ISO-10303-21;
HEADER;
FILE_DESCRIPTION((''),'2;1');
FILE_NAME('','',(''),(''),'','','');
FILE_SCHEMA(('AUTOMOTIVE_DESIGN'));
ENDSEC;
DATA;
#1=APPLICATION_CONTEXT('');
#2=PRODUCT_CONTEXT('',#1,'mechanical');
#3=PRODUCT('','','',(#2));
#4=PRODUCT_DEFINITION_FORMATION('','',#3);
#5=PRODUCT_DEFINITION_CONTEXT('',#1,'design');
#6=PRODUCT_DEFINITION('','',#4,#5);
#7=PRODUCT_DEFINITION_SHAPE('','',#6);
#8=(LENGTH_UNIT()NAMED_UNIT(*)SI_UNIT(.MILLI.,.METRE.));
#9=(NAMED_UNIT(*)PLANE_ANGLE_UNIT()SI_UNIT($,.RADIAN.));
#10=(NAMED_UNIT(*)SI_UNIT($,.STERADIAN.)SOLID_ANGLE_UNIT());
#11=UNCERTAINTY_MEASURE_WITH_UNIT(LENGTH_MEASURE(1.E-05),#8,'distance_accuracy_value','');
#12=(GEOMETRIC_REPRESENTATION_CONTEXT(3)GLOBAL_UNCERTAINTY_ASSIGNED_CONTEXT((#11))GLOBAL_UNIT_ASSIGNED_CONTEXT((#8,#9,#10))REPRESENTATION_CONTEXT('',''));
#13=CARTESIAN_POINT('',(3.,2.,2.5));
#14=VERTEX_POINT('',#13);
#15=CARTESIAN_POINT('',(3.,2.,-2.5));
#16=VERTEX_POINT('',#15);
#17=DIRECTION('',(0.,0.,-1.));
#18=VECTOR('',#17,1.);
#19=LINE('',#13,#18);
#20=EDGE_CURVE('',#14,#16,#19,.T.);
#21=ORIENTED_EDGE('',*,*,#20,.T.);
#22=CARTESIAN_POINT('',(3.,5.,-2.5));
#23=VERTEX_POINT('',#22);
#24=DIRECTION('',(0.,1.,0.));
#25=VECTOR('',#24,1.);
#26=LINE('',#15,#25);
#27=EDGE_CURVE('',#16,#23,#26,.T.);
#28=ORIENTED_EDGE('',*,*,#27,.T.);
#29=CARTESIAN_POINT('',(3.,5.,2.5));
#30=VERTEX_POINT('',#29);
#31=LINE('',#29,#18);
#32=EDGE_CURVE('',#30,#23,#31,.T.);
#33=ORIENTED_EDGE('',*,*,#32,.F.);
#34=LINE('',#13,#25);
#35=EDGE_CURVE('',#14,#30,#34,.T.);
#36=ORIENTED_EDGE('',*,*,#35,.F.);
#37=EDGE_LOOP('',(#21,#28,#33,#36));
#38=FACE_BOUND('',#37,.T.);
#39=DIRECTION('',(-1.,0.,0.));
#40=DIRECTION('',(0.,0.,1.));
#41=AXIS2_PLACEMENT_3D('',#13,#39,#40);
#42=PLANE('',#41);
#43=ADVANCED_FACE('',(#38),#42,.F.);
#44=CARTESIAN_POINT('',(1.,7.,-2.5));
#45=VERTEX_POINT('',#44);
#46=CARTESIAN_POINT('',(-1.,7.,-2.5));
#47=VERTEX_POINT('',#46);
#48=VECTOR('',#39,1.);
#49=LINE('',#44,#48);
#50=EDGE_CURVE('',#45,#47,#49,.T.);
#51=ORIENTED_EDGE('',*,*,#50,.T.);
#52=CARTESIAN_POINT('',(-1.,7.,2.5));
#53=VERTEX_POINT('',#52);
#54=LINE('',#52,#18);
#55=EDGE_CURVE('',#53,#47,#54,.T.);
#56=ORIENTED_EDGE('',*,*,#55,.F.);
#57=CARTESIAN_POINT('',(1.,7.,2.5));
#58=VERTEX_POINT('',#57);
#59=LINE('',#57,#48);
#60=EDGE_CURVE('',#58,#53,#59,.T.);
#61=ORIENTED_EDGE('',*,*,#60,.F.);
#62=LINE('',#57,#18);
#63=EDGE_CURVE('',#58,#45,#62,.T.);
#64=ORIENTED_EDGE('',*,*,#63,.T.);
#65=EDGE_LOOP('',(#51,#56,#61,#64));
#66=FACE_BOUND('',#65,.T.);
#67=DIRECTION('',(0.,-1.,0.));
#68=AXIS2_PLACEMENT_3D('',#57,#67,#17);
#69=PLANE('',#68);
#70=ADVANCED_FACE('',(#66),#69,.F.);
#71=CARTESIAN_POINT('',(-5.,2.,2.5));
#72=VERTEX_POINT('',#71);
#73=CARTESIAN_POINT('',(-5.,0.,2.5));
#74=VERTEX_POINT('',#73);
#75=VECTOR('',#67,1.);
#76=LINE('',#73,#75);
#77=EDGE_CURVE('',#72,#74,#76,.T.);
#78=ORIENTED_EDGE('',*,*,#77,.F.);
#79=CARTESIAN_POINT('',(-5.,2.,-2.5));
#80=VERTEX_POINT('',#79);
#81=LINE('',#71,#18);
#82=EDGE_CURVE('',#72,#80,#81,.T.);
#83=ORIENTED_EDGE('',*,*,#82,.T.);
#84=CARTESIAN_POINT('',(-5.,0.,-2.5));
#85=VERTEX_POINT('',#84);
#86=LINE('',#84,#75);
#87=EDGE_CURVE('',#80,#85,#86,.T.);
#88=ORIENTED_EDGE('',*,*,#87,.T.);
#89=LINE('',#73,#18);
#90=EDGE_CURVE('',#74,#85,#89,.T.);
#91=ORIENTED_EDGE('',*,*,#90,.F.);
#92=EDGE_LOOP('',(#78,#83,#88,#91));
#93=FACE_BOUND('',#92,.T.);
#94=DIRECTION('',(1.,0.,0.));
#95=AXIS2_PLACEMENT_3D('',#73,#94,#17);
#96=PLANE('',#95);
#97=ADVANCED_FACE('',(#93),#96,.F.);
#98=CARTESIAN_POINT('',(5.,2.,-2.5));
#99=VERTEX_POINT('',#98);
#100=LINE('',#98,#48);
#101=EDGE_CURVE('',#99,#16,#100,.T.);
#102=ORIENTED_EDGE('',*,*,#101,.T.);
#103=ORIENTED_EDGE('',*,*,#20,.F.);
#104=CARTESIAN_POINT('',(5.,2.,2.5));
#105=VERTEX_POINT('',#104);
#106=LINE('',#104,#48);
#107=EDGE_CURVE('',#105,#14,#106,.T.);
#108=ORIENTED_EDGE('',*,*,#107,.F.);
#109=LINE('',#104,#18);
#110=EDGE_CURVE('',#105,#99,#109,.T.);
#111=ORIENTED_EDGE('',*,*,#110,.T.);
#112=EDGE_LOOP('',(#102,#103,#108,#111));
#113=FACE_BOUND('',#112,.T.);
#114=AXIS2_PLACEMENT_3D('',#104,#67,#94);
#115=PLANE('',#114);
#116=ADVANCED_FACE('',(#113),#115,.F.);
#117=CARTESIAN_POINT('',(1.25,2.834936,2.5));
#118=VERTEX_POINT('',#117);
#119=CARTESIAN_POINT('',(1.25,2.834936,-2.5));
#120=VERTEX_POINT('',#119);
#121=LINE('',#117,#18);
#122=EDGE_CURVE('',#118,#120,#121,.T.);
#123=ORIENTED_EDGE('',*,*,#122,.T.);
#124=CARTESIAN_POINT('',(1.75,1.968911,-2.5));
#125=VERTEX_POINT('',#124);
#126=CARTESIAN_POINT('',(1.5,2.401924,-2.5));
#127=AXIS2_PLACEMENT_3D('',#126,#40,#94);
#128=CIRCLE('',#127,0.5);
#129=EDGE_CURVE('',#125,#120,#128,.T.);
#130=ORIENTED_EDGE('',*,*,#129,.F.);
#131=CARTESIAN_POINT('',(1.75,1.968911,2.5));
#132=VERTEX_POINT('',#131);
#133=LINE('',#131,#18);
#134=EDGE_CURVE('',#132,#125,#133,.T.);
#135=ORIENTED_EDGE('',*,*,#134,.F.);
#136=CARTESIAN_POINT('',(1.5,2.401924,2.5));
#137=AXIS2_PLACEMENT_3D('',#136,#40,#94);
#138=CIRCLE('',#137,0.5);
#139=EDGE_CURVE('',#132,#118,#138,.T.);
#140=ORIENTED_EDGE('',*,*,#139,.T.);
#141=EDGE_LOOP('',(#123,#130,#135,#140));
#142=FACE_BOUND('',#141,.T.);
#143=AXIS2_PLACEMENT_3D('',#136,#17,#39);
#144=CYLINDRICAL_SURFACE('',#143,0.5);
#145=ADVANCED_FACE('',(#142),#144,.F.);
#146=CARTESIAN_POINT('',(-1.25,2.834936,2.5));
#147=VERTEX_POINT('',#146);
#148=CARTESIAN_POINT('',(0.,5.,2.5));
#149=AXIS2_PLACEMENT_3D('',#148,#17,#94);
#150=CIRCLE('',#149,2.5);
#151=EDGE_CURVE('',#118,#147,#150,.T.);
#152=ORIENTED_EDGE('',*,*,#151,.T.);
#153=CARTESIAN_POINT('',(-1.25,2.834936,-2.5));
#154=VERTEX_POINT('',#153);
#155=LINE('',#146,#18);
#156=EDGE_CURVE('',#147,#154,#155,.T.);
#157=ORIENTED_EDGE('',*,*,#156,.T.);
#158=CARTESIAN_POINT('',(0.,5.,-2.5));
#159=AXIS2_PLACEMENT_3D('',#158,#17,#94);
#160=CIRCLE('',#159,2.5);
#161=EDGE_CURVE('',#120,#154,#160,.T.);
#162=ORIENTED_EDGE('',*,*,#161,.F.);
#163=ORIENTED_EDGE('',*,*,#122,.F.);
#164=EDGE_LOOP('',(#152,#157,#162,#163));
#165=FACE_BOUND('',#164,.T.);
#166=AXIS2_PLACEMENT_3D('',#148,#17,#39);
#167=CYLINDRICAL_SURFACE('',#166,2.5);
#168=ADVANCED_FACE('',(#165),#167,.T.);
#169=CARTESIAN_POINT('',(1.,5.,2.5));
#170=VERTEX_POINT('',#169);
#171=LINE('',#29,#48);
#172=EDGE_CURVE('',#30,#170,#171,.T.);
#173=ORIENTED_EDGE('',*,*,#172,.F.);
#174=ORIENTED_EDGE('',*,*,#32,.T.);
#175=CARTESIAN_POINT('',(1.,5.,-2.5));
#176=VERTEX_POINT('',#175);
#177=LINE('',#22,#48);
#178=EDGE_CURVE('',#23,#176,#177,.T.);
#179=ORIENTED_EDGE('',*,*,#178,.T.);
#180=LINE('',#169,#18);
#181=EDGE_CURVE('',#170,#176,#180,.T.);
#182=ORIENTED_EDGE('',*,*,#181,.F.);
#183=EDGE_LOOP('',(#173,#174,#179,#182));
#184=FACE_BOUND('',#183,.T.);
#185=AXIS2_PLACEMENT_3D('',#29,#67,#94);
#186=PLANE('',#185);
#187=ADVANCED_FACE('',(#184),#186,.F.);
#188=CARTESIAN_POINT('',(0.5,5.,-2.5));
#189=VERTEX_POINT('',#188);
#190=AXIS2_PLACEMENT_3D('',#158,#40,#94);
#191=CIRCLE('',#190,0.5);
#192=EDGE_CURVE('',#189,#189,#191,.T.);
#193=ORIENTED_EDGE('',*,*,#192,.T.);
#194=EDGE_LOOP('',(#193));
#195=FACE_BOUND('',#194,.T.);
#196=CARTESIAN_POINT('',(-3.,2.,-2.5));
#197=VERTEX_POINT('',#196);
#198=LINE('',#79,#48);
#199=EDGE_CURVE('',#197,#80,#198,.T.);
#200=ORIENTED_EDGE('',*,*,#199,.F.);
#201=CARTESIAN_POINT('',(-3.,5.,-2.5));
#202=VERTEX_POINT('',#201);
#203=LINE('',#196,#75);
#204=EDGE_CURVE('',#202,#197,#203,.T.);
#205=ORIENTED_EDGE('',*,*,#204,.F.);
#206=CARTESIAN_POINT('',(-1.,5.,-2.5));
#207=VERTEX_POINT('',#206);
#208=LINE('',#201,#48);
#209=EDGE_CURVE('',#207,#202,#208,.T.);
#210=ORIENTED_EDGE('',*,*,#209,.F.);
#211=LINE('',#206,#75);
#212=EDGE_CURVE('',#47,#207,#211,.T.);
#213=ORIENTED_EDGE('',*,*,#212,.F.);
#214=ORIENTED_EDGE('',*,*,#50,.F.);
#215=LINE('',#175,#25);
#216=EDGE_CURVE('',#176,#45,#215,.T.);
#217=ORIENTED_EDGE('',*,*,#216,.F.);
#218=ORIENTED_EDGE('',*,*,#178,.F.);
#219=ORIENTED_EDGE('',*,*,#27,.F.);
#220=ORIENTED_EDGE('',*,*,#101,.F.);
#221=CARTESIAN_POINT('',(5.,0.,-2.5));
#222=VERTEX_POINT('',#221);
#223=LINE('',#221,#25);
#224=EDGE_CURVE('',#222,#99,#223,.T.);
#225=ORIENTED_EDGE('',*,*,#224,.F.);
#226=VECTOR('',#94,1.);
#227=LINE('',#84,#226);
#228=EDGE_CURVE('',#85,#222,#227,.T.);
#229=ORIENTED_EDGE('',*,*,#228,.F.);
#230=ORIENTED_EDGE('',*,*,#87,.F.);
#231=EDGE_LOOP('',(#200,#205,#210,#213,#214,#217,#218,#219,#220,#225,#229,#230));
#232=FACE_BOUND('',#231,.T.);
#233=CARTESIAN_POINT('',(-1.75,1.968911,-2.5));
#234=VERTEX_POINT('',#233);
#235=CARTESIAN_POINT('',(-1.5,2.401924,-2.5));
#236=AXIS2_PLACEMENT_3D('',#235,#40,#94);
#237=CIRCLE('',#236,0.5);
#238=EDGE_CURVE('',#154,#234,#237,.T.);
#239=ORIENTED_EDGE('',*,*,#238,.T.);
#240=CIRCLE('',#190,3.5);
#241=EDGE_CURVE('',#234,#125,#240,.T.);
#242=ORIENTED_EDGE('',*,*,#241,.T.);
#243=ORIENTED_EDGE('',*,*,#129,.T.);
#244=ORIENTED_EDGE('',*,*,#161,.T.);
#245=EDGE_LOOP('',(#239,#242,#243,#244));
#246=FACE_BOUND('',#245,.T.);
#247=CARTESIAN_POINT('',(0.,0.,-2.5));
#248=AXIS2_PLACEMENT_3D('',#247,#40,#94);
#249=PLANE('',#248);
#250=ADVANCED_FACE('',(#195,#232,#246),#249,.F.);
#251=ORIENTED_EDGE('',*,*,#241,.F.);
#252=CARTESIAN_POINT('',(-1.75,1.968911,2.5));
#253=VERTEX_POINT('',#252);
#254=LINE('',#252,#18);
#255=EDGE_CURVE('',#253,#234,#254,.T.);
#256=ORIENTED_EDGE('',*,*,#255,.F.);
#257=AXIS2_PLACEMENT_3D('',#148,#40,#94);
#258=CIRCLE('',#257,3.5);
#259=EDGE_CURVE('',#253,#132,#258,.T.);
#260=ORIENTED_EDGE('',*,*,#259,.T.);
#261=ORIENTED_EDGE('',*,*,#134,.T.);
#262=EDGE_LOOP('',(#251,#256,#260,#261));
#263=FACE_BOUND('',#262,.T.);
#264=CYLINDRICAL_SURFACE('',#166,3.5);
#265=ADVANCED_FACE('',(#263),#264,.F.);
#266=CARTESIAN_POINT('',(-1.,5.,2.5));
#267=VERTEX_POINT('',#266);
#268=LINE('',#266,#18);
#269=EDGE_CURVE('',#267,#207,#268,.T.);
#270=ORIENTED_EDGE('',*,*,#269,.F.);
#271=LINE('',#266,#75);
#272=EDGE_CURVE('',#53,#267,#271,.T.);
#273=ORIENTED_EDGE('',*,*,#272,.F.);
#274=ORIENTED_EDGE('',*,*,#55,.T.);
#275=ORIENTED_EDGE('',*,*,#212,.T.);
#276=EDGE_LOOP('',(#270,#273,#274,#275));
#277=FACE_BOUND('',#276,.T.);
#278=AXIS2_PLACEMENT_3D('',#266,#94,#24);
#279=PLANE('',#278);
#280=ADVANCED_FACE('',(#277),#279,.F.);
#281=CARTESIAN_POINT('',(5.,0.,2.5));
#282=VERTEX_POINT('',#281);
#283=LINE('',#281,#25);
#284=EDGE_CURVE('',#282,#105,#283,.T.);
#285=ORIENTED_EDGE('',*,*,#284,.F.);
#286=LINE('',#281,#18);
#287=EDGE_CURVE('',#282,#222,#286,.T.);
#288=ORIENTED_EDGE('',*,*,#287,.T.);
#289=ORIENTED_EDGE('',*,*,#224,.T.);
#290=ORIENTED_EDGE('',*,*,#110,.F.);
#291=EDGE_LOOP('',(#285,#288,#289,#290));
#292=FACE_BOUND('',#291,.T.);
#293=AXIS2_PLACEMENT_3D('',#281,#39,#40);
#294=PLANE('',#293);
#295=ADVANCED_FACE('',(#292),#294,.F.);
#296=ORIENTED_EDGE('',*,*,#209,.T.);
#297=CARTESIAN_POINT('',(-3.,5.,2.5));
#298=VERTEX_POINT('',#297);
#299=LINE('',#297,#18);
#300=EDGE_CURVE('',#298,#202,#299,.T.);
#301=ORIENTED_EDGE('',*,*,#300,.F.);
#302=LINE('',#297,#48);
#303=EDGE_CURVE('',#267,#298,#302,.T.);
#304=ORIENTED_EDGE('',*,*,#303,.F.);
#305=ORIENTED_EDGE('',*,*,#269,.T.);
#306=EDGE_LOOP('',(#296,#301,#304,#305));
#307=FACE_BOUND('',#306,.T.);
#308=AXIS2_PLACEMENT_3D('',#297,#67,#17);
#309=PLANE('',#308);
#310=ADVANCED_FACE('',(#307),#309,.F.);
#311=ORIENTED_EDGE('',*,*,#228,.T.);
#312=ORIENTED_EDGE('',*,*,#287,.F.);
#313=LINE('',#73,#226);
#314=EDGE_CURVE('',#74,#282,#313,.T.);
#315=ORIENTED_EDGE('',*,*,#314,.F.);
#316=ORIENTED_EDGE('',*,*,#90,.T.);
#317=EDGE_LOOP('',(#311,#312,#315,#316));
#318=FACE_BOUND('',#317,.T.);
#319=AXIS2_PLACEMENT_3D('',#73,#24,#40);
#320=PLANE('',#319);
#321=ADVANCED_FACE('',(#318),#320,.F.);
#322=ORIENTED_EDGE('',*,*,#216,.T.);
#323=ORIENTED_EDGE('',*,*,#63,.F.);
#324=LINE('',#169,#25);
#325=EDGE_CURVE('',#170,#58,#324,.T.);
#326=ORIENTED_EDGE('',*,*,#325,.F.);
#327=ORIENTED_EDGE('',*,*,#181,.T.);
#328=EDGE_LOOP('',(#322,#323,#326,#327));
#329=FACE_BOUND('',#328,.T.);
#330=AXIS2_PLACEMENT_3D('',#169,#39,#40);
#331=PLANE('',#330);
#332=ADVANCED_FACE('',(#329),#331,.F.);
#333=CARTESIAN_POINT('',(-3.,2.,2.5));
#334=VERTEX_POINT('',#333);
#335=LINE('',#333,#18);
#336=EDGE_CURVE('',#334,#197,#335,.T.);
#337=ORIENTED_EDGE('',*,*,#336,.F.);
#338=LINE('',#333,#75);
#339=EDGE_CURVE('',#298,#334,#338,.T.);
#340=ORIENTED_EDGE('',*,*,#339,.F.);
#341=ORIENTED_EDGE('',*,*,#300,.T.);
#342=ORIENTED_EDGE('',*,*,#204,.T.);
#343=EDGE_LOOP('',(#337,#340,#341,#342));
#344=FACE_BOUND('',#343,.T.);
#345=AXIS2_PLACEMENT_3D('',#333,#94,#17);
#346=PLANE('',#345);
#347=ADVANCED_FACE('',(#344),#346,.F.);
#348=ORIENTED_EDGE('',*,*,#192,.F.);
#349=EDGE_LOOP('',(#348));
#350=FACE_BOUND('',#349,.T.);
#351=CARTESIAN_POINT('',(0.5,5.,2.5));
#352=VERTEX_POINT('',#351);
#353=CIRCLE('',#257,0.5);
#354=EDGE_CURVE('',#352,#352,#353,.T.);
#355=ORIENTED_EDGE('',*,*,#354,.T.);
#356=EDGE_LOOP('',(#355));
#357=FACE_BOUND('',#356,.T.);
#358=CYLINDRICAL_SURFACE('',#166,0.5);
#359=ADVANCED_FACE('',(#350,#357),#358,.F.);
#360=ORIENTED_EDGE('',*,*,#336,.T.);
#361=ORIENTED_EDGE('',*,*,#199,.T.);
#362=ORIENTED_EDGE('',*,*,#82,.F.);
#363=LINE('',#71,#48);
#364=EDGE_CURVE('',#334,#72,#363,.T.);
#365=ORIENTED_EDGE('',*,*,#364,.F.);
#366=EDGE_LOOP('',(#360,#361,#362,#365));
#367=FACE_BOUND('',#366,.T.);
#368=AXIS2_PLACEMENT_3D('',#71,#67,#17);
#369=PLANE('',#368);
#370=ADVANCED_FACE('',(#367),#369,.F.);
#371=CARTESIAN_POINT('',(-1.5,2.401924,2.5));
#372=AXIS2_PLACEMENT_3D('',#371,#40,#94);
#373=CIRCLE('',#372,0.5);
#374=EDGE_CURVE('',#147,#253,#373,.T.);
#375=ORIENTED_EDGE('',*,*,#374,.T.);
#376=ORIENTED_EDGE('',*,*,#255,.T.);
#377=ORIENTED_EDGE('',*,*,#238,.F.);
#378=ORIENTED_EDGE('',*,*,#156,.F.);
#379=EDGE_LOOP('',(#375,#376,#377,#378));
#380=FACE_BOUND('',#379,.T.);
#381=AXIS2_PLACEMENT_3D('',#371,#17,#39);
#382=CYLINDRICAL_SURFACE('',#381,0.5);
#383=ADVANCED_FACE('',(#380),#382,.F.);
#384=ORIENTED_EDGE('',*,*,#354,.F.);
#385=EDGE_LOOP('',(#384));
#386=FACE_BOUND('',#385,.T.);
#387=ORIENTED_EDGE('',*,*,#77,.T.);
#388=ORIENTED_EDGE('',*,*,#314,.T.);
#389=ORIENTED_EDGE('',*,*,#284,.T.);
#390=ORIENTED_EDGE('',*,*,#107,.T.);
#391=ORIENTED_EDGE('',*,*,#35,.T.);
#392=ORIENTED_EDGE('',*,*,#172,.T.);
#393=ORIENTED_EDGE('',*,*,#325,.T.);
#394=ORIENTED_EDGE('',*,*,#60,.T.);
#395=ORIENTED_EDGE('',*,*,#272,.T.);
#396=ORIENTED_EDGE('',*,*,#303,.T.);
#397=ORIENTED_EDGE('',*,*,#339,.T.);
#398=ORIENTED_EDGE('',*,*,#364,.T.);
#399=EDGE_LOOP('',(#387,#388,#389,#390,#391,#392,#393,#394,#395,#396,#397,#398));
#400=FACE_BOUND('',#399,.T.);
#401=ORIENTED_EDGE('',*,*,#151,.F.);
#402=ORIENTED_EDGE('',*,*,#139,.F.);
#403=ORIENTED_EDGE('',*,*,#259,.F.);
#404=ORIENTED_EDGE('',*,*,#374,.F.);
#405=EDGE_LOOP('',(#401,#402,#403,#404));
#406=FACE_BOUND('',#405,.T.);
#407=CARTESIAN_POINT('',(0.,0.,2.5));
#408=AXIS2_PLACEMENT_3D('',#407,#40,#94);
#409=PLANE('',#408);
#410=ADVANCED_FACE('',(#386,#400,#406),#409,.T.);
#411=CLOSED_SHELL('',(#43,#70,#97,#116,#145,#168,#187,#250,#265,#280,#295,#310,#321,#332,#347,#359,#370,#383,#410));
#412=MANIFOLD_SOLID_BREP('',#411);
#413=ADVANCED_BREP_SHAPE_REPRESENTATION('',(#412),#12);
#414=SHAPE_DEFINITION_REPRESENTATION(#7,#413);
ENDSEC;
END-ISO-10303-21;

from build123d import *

# Parameters (mm, degrees)
SKETCH2_R           = 0.5
BOSS_EXTRUDE1_DEPTH = 2.5


with BuildPart() as part:
    # Sketch2 → Boss-Extrude1 (new, symmetric)
    with BuildSketch(Plane.XY):
        Polygon((-5, 0), (5, 0), (5, 2), (3, 2), (3, 5), (1, 5), (1, 7), (-1, 7), (-1, 5), (-3, 5), (-3, 2), (-5, 2), align=None)
        with Locations((0, 5)):
            Circle(SKETCH2_R, mode=Mode.SUBTRACT)
        with BuildLine():
            ThreePointArc((-1.75, 1.968911087), (0, 1.5), (1.75, 1.968911087))
            ThreePointArc((1.75, 1.968911087), (1.933012702, 2.651923789), (1.25, 2.834936491))
            ThreePointArc((1.25, 2.834936491), (0, 2.5), (-1.25, 2.834936491))
            ThreePointArc((-1.25, 2.834936491), (-1.933012702, 2.651923789), (-1.75, 1.968911087))
        make_face(mode=Mode.SUBTRACT)
    extrude(amount=BOSS_EXTRUDE1_DEPTH, both=True)


solid = part.part
